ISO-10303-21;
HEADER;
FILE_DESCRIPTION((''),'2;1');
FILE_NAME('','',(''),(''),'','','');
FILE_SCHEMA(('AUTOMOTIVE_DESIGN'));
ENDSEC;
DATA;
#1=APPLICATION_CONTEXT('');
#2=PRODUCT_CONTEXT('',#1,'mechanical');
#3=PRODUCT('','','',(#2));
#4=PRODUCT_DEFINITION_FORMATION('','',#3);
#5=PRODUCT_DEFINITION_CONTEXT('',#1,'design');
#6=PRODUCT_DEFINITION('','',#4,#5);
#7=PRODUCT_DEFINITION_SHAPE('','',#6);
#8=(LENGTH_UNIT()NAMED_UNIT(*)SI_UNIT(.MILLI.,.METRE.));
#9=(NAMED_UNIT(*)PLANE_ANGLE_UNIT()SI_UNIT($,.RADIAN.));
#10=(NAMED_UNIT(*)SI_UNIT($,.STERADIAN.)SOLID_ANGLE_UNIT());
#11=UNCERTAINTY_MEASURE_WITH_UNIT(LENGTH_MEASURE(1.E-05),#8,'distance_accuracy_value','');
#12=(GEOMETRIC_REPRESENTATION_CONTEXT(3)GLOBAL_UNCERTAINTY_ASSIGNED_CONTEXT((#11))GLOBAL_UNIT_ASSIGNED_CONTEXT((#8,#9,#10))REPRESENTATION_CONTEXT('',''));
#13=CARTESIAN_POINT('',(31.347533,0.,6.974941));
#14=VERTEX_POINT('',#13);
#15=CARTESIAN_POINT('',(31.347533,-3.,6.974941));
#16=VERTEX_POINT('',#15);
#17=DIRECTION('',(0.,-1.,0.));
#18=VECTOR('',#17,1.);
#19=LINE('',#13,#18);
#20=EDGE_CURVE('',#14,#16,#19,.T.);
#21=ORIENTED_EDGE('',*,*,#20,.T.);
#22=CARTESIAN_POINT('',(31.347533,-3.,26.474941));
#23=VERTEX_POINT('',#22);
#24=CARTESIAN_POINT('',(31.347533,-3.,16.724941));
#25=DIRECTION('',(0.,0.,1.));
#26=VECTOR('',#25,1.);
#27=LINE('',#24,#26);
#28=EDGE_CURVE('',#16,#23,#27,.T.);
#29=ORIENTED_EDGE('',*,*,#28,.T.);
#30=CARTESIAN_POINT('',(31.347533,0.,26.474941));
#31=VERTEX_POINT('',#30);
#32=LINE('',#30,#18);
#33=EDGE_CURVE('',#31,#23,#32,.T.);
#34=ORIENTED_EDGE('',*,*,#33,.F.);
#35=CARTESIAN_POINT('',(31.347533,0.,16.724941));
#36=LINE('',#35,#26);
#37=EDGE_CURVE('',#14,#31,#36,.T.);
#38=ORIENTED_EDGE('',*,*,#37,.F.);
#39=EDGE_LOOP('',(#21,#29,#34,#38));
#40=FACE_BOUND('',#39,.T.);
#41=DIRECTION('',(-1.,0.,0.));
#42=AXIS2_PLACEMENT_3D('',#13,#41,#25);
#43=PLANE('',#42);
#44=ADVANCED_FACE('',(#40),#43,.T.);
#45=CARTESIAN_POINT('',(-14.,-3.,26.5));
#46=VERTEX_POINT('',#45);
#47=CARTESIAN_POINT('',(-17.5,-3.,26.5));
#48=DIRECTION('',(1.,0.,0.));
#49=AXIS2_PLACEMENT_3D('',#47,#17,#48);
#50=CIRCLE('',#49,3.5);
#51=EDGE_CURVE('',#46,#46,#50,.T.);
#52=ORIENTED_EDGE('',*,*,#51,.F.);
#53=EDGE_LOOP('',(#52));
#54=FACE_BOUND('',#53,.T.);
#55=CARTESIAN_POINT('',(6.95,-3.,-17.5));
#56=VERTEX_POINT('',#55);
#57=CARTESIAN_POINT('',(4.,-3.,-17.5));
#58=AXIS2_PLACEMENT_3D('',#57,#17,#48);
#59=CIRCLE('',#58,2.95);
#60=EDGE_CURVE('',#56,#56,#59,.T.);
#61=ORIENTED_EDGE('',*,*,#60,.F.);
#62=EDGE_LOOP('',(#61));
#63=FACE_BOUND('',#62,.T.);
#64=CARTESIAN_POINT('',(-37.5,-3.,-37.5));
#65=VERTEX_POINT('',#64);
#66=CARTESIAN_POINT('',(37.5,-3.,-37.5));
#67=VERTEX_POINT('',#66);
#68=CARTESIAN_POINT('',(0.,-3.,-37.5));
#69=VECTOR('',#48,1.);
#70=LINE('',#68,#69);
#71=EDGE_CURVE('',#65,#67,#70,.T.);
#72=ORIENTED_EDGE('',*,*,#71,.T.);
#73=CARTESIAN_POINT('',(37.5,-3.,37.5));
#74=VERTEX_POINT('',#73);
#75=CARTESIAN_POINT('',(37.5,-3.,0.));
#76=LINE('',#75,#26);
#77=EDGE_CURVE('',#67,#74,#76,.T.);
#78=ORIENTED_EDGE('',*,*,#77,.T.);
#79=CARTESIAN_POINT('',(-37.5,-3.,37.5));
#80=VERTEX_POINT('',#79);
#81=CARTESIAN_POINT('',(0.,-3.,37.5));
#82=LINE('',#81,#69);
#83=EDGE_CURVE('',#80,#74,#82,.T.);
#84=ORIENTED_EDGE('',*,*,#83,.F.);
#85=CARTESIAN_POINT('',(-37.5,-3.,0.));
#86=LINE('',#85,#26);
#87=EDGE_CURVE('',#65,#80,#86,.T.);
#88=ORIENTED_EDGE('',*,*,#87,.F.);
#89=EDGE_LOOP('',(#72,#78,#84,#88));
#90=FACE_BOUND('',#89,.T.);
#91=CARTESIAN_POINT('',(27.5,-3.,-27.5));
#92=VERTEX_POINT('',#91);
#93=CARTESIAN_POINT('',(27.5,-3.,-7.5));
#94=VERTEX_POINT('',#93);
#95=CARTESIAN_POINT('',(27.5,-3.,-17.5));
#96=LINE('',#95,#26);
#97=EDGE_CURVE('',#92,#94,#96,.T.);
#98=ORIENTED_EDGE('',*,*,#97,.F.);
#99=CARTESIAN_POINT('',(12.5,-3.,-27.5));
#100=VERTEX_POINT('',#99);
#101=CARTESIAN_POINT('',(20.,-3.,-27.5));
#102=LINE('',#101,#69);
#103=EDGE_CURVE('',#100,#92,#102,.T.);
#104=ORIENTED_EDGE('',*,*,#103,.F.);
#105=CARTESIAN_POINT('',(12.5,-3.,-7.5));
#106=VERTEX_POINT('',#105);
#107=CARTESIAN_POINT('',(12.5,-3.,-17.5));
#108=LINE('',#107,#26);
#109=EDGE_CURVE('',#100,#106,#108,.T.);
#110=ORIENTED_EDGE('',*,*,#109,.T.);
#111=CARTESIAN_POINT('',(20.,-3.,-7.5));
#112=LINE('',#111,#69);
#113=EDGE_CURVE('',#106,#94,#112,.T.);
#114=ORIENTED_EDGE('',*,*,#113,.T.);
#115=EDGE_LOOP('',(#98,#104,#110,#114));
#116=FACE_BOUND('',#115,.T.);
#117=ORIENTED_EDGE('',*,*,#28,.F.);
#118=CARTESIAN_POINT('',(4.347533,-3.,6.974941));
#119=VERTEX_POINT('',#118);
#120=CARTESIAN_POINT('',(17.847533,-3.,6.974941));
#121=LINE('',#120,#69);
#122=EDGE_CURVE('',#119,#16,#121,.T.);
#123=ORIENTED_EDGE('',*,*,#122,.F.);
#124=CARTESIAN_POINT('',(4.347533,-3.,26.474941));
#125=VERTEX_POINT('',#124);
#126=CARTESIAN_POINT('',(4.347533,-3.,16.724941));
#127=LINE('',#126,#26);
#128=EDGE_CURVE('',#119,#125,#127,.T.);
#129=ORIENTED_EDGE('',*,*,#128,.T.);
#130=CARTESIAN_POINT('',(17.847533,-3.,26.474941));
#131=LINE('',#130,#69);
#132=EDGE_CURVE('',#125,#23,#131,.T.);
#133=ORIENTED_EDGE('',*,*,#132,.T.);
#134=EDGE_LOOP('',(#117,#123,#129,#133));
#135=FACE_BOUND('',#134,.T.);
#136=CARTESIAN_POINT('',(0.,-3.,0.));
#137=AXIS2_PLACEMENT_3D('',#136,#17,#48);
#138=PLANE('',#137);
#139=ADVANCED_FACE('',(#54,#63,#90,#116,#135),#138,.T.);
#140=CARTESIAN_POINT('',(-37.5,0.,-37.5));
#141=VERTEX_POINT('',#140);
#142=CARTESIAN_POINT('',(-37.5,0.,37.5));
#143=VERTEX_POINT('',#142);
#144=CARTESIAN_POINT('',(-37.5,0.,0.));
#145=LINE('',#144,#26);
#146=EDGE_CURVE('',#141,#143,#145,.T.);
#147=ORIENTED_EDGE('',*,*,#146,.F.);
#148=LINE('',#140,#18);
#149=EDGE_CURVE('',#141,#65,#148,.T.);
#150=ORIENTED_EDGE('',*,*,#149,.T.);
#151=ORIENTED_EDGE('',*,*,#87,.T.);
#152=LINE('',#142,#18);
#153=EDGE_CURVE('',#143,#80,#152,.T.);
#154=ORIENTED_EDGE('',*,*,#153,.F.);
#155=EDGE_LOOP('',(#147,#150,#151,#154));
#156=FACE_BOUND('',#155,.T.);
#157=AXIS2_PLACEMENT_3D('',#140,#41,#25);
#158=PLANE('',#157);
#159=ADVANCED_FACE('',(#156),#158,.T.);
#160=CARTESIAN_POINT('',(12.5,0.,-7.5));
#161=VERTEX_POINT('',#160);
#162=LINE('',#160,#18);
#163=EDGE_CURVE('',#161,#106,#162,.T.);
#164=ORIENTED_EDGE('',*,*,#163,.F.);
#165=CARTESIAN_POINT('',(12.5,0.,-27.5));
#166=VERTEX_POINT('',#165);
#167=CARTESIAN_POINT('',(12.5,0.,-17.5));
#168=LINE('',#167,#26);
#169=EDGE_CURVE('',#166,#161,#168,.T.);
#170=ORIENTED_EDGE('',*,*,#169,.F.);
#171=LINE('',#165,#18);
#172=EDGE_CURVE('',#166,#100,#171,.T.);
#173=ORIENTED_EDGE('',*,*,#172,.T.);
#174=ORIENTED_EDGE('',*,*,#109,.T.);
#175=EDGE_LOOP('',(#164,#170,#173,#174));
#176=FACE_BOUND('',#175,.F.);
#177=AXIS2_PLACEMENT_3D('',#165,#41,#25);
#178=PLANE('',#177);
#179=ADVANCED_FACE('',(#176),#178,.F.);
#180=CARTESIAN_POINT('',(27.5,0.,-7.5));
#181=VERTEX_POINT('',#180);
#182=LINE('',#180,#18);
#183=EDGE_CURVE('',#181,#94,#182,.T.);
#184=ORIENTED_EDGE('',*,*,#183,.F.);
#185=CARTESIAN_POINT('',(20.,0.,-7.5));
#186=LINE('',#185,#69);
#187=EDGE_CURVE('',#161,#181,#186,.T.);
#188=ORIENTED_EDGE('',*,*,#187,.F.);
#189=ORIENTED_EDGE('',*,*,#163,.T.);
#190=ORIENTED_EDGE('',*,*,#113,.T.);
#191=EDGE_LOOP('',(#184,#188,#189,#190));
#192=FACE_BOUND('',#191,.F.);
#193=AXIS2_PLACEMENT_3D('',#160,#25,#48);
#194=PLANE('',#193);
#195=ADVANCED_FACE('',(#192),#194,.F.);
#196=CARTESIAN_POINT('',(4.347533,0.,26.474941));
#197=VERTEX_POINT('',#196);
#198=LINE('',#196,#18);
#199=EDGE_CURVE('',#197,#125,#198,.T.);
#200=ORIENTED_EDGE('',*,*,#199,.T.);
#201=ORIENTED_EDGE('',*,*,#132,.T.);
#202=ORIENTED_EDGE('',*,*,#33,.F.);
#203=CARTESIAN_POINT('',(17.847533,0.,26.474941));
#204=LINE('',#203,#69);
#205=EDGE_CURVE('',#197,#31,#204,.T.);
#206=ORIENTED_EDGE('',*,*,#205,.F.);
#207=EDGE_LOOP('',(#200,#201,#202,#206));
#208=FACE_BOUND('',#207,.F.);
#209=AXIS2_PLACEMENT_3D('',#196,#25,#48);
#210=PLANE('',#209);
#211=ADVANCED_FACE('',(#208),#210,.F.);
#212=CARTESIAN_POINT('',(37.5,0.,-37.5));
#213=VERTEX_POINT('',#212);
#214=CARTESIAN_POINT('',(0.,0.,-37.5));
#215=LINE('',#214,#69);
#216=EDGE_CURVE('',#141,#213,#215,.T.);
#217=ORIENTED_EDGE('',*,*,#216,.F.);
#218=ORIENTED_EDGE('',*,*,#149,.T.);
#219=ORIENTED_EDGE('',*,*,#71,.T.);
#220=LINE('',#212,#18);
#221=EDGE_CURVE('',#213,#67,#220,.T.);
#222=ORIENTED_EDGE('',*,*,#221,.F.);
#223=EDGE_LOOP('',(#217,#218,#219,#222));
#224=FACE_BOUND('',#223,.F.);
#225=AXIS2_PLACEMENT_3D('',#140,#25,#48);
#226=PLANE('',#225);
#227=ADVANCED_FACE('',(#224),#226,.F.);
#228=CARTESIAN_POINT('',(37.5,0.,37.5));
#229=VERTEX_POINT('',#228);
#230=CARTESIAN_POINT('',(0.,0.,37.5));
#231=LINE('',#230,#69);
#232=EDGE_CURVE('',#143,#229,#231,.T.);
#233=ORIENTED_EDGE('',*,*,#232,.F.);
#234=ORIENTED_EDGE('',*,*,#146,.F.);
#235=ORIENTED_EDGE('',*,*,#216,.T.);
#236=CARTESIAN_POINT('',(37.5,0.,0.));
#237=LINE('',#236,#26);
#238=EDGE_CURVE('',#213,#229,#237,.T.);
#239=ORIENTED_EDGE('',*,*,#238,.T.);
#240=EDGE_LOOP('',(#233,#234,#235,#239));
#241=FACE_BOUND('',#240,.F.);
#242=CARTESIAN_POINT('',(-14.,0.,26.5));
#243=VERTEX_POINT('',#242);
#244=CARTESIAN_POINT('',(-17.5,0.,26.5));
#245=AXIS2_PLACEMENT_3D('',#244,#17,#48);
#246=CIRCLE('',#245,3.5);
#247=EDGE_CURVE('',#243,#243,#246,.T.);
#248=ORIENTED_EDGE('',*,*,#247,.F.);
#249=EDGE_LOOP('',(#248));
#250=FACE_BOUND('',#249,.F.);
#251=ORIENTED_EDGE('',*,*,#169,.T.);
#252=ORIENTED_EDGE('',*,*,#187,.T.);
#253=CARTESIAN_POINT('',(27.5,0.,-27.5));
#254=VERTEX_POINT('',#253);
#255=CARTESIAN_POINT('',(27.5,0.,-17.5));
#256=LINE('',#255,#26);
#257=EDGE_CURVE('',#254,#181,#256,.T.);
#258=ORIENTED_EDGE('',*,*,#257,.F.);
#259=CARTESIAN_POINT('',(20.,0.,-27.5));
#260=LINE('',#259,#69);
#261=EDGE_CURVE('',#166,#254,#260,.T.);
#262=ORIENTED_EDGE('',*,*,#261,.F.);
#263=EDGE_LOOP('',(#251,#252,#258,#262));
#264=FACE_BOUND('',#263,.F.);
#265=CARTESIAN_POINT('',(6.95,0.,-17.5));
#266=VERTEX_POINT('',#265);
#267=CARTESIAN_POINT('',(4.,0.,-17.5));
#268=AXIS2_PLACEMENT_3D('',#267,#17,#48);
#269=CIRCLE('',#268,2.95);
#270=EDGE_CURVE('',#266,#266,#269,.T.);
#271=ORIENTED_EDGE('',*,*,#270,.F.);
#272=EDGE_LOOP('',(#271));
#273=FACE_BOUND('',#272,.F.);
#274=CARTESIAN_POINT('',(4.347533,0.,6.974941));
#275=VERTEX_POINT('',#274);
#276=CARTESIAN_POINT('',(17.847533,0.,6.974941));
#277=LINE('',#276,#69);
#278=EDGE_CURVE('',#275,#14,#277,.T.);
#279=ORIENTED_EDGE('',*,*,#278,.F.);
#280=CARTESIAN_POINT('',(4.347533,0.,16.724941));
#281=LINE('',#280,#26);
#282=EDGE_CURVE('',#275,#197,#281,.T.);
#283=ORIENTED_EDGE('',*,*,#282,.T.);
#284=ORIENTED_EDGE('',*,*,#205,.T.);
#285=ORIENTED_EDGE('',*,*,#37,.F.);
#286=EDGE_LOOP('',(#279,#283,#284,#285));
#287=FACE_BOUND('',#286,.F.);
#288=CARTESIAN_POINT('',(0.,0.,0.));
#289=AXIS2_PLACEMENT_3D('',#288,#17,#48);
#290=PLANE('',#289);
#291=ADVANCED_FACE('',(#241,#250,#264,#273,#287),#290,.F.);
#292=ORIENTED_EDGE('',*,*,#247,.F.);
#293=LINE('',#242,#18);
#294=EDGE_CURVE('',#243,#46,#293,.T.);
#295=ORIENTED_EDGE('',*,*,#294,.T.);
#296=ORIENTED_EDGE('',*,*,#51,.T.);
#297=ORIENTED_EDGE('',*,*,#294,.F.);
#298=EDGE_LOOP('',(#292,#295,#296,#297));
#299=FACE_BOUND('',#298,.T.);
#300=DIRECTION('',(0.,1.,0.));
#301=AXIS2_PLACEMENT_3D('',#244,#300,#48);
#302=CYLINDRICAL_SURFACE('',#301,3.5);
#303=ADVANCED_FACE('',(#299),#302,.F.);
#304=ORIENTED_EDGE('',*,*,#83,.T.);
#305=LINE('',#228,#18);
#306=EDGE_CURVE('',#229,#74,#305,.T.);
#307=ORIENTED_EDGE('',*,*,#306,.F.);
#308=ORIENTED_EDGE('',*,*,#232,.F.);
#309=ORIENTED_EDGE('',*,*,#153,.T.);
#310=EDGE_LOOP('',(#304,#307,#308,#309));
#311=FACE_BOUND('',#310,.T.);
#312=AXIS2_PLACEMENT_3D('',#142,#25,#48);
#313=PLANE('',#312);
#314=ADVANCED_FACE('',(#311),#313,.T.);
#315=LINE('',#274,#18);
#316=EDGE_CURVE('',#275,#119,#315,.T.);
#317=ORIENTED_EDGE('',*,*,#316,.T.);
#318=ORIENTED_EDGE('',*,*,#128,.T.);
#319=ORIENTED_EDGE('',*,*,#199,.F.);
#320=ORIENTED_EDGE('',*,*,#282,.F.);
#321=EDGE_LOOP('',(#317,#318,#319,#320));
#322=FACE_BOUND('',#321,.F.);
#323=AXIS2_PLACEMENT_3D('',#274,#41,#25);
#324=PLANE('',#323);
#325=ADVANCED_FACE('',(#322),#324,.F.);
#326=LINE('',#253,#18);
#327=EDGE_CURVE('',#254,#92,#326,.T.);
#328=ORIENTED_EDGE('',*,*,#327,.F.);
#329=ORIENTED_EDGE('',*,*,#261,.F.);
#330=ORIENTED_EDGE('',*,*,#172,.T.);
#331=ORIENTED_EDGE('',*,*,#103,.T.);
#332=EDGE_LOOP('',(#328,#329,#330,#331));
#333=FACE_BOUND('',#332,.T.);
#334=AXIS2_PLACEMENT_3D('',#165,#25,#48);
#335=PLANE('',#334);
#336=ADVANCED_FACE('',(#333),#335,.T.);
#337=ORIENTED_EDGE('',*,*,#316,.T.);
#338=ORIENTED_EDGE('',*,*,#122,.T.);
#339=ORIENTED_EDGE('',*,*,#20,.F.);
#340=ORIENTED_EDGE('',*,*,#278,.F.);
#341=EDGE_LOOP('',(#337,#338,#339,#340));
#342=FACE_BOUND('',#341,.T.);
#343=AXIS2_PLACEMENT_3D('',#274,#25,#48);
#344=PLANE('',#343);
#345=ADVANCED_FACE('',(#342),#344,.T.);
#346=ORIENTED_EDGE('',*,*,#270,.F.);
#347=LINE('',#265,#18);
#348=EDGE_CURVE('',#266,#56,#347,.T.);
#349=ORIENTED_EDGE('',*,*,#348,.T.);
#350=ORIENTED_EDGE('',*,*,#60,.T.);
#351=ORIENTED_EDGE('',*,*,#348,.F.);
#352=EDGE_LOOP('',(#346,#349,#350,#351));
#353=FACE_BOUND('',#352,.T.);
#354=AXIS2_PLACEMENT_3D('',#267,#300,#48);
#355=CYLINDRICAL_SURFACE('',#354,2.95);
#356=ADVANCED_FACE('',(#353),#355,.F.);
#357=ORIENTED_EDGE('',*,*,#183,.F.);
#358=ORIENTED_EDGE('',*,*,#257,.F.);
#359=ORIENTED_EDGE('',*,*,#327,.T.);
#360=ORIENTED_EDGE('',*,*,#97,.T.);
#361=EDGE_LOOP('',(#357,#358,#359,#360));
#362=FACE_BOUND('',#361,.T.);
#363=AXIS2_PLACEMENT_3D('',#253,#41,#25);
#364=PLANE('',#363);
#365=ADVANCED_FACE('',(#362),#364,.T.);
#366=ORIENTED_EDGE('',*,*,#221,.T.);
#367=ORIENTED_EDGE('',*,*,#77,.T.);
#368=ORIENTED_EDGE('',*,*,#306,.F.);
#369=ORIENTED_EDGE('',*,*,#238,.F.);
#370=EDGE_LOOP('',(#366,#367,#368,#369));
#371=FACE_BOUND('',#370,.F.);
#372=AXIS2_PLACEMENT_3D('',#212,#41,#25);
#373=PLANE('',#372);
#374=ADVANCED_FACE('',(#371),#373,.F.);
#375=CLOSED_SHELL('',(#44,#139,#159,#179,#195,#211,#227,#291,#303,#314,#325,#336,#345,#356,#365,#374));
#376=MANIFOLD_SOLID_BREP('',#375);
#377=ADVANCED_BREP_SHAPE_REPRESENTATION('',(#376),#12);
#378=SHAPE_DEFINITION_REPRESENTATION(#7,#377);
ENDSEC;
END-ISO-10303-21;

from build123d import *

# Parameters (mm, degrees)
F0_W     = 75
F0_H     = 75
F0_R     = 2.95
F0_W_2   = 15
F0_H_2   = 20
F0_R_2   = 3.5
F0_W_3   = 27
F0_H_3   = 19.5
F1_DEPTH = 3


with BuildPart() as f1:
    # F0 (on Front) → F1 (new body)
    with BuildSketch(Plane.XZ):
        Rectangle(F0_W, F0_H)
        with Locations((4, -17.5)):
            Circle(F0_R, mode=Mode.SUBTRACT)
        with Locations((20, -17.5)):
            Rectangle(F0_W_2, F0_H_2, mode=Mode.SUBTRACT)
        with Locations((-17.5, 26.5)):
            Circle(F0_R_2, mode=Mode.SUBTRACT)
        with Locations((17.847533, 16.724941)):
            Rectangle(F0_W_3, F0_H_3, mode=Mode.SUBTRACT)
    extrude(amount=F1_DEPTH)


solid = f1.part
